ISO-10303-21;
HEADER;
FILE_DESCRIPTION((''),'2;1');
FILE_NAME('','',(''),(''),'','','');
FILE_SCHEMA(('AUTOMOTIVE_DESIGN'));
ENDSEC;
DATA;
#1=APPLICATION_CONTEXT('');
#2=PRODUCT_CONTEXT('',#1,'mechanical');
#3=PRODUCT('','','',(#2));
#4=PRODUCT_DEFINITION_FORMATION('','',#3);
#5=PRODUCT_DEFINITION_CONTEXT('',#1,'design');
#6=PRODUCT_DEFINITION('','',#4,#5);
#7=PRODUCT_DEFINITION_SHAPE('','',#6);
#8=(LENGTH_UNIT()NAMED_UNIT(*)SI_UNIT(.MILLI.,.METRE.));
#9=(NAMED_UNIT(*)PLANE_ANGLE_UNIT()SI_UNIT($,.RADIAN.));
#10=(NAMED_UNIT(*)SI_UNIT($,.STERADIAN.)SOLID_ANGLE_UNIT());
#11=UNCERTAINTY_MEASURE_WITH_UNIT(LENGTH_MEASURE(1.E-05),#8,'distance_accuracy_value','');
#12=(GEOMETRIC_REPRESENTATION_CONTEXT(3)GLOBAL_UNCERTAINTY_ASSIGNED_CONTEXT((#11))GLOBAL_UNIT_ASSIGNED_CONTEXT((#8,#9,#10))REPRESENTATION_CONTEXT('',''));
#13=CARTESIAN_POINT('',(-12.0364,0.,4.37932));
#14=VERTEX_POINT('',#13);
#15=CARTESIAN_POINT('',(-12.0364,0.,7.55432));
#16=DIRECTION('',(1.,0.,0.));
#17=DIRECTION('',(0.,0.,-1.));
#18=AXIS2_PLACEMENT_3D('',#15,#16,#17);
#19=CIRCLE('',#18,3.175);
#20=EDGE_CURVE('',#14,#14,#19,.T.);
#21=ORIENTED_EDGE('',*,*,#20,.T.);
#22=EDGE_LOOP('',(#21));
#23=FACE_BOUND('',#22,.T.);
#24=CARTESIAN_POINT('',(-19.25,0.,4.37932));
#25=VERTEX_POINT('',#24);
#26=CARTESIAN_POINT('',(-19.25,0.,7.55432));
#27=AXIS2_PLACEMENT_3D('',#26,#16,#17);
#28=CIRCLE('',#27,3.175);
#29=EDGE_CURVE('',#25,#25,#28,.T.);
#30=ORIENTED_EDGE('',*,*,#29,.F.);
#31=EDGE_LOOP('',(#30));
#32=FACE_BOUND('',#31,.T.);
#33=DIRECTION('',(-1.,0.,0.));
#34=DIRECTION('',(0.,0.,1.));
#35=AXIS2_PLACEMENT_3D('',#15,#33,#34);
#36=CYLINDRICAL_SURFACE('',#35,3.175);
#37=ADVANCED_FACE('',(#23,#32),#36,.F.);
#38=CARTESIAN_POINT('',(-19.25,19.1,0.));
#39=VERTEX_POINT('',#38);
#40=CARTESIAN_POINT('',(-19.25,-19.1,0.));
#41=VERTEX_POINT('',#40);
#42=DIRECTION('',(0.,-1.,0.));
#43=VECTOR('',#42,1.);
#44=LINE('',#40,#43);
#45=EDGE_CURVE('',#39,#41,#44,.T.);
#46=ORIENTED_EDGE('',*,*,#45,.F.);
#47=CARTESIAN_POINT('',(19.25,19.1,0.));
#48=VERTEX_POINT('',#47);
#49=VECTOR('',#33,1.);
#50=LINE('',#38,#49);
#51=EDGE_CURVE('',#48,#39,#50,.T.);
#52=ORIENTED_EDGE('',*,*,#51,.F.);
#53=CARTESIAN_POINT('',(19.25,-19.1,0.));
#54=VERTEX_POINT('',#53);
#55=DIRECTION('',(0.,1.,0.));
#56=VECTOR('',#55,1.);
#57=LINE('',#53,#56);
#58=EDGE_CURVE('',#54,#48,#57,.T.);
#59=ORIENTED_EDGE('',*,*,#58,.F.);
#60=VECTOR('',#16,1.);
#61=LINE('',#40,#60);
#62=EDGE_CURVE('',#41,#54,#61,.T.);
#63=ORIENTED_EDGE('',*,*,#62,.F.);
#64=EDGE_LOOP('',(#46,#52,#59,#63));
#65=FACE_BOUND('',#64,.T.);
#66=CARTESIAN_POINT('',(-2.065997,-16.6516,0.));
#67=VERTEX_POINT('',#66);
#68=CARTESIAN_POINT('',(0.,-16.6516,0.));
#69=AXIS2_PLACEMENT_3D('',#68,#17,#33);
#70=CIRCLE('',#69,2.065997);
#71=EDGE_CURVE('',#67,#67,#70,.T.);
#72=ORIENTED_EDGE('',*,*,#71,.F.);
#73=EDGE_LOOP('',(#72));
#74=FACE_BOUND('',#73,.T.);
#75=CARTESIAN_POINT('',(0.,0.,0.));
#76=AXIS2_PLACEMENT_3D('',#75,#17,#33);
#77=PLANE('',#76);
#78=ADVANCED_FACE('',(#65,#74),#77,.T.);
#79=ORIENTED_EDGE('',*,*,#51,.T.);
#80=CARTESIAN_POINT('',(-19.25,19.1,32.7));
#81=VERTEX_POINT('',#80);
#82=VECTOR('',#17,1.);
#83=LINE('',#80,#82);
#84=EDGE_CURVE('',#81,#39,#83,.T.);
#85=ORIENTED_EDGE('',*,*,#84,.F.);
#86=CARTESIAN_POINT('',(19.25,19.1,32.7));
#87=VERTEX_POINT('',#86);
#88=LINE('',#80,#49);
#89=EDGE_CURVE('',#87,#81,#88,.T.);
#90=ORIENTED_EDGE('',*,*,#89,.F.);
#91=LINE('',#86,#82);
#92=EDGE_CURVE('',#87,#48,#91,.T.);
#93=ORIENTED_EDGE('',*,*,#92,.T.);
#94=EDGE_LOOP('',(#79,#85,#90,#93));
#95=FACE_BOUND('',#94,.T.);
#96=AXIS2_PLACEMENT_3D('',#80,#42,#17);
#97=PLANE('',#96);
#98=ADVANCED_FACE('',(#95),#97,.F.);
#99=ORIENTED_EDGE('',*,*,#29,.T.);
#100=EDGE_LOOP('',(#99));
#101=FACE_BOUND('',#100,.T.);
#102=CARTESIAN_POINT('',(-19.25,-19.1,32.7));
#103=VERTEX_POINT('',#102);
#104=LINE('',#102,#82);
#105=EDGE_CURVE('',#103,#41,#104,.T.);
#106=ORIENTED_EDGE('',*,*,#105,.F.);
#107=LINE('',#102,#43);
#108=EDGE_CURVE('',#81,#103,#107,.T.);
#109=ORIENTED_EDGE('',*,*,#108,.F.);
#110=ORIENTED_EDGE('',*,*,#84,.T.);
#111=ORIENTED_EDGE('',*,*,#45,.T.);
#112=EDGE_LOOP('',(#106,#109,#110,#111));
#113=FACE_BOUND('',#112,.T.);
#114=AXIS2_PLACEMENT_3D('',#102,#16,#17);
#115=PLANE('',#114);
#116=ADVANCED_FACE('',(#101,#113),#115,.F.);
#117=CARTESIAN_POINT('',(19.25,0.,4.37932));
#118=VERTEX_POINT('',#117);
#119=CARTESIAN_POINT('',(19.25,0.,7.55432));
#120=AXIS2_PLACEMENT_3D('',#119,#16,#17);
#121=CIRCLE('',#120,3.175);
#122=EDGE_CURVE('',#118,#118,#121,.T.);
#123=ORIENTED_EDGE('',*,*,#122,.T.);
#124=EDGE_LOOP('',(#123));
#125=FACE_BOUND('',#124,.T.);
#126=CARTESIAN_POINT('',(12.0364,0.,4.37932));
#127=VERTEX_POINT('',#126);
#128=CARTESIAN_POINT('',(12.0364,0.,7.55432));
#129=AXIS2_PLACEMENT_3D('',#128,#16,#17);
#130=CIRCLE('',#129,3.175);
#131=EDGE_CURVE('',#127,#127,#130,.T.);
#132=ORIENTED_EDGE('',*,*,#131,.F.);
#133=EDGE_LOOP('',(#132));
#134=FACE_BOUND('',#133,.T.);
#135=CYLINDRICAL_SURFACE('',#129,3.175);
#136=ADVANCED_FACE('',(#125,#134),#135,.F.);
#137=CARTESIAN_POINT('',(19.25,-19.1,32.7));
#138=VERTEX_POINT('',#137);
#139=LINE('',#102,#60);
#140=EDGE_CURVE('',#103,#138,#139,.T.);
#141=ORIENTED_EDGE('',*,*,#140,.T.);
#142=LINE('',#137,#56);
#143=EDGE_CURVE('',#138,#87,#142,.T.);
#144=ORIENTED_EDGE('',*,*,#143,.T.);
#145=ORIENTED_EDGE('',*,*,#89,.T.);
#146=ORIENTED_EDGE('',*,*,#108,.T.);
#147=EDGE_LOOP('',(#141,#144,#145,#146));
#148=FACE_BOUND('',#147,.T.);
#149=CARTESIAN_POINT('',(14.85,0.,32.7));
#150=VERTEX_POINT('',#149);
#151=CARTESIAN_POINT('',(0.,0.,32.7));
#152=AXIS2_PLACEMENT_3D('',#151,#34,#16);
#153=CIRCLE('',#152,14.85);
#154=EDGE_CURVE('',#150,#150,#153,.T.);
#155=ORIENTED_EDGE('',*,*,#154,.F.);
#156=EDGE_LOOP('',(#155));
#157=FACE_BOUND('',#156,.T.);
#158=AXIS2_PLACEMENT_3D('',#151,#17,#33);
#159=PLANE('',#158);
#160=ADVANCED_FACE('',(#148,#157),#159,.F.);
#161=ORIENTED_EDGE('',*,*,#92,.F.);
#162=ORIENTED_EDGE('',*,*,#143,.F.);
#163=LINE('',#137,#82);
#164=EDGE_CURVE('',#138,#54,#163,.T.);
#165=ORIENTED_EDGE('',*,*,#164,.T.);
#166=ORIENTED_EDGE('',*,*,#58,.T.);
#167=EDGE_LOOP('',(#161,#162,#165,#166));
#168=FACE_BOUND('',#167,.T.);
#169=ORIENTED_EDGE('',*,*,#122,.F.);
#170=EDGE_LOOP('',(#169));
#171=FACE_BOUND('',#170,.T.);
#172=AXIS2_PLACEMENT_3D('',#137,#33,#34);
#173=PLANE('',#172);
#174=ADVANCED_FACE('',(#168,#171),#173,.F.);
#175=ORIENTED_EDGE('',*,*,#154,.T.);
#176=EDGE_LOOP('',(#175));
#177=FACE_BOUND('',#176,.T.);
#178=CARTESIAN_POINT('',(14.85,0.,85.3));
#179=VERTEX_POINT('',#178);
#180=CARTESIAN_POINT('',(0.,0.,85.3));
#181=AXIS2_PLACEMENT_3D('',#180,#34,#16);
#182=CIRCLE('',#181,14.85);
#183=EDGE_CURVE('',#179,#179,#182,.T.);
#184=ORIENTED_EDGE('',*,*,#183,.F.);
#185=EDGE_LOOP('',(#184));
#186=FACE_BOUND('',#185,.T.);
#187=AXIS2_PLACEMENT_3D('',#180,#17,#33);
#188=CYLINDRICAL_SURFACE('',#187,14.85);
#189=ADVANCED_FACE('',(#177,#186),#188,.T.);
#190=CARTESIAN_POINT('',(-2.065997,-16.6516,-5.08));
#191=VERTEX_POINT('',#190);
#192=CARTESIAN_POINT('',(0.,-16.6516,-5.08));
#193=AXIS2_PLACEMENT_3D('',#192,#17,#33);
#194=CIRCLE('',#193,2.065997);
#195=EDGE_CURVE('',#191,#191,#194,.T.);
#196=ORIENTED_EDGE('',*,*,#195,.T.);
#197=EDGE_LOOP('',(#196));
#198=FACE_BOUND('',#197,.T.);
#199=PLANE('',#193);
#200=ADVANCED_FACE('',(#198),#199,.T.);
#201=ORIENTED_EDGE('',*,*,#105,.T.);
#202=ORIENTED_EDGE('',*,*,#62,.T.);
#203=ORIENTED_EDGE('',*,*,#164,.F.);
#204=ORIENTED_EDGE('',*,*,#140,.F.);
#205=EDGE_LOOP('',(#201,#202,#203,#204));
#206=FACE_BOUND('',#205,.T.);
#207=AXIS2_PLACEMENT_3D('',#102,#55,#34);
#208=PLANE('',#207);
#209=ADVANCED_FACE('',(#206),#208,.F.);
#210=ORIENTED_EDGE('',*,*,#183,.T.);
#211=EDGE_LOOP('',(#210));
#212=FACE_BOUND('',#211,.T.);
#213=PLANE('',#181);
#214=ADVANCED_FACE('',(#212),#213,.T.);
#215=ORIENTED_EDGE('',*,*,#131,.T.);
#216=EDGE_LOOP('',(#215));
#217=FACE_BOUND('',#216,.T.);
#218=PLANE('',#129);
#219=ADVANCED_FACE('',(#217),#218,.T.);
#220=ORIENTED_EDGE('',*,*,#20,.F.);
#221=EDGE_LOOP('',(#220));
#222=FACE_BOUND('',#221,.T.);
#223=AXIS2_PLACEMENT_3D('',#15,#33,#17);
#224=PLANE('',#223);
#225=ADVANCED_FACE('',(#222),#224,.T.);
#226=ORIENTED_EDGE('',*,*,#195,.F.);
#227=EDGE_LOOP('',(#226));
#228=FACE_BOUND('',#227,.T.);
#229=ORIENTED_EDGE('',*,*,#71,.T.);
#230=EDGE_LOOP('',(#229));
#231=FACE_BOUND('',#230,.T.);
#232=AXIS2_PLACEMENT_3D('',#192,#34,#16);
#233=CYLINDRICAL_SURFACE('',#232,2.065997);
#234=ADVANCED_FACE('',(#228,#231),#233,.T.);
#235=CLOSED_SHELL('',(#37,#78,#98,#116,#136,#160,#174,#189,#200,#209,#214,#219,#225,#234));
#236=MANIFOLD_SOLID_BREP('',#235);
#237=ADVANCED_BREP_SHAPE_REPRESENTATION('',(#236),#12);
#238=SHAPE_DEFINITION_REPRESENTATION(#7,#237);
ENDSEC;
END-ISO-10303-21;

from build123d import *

# Parameters (mm, degrees)
SKETCH1_W           = 38.5
SKETCH1_H           = 38.2
BOSS_EXTRUDE1_DEPTH = 32.7
SKETCH2_R           = 14.85
BOSS_EXTRUDE2_DEPTH = 52.6
SKETCH3_R           = 3.175
CUT_EXTRUDE1_DEPTH  = 7.2136
SKETCH4_R           = 2.06599734
BOSS_EXTRUDE3_DEPTH = 5.08


with BuildPart() as part:
    # Sketch1 → Boss-Extrude1 (new body)
    with BuildSketch(Plane.XY):
        Rectangle(SKETCH1_W, SKETCH1_H)
    extrude(amount=BOSS_EXTRUDE1_DEPTH)

    # Sketch2 → Boss-Extrude2 (add)
    with BuildSketch(Plane.XY.offset(32.7)):
        Circle(SKETCH2_R)
    extrude(amount=BOSS_EXTRUDE2_DEPTH)

    # Sketch3 → Cut-Extrude1 (cut)
    with BuildSketch(Plane(origin=(19.25, 0, 0), x_dir=(0, 0, -1), z_dir=(1, 0, 0))):
        with Locations((-7.554319607, 0)):
            Circle(SKETCH3_R)
    cut_extrude1 = extrude(amount=-CUT_EXTRUDE1_DEPTH, mode=Mode.SUBTRACT)

    # Mirror1: Cut-Extrude1 across plane
    add(cut_extrude1.mirror(Plane(origin=(0, 0, 0), x_dir=(0, 0, 1), z_dir=(1, 0, 0))), mode=Mode.SUBTRACT)

    # Sketch4 → Boss-Extrude3 (add)
    with BuildSketch(Plane(origin=(0, 0, 0), x_dir=(-1, 0, 0), z_dir=(0, 0, -1))):
        with Locations((0, -16.651600327)):
            Circle(SKETCH4_R)
    extrude(amount=BOSS_EXTRUDE3_DEPTH)


solid = part.part
